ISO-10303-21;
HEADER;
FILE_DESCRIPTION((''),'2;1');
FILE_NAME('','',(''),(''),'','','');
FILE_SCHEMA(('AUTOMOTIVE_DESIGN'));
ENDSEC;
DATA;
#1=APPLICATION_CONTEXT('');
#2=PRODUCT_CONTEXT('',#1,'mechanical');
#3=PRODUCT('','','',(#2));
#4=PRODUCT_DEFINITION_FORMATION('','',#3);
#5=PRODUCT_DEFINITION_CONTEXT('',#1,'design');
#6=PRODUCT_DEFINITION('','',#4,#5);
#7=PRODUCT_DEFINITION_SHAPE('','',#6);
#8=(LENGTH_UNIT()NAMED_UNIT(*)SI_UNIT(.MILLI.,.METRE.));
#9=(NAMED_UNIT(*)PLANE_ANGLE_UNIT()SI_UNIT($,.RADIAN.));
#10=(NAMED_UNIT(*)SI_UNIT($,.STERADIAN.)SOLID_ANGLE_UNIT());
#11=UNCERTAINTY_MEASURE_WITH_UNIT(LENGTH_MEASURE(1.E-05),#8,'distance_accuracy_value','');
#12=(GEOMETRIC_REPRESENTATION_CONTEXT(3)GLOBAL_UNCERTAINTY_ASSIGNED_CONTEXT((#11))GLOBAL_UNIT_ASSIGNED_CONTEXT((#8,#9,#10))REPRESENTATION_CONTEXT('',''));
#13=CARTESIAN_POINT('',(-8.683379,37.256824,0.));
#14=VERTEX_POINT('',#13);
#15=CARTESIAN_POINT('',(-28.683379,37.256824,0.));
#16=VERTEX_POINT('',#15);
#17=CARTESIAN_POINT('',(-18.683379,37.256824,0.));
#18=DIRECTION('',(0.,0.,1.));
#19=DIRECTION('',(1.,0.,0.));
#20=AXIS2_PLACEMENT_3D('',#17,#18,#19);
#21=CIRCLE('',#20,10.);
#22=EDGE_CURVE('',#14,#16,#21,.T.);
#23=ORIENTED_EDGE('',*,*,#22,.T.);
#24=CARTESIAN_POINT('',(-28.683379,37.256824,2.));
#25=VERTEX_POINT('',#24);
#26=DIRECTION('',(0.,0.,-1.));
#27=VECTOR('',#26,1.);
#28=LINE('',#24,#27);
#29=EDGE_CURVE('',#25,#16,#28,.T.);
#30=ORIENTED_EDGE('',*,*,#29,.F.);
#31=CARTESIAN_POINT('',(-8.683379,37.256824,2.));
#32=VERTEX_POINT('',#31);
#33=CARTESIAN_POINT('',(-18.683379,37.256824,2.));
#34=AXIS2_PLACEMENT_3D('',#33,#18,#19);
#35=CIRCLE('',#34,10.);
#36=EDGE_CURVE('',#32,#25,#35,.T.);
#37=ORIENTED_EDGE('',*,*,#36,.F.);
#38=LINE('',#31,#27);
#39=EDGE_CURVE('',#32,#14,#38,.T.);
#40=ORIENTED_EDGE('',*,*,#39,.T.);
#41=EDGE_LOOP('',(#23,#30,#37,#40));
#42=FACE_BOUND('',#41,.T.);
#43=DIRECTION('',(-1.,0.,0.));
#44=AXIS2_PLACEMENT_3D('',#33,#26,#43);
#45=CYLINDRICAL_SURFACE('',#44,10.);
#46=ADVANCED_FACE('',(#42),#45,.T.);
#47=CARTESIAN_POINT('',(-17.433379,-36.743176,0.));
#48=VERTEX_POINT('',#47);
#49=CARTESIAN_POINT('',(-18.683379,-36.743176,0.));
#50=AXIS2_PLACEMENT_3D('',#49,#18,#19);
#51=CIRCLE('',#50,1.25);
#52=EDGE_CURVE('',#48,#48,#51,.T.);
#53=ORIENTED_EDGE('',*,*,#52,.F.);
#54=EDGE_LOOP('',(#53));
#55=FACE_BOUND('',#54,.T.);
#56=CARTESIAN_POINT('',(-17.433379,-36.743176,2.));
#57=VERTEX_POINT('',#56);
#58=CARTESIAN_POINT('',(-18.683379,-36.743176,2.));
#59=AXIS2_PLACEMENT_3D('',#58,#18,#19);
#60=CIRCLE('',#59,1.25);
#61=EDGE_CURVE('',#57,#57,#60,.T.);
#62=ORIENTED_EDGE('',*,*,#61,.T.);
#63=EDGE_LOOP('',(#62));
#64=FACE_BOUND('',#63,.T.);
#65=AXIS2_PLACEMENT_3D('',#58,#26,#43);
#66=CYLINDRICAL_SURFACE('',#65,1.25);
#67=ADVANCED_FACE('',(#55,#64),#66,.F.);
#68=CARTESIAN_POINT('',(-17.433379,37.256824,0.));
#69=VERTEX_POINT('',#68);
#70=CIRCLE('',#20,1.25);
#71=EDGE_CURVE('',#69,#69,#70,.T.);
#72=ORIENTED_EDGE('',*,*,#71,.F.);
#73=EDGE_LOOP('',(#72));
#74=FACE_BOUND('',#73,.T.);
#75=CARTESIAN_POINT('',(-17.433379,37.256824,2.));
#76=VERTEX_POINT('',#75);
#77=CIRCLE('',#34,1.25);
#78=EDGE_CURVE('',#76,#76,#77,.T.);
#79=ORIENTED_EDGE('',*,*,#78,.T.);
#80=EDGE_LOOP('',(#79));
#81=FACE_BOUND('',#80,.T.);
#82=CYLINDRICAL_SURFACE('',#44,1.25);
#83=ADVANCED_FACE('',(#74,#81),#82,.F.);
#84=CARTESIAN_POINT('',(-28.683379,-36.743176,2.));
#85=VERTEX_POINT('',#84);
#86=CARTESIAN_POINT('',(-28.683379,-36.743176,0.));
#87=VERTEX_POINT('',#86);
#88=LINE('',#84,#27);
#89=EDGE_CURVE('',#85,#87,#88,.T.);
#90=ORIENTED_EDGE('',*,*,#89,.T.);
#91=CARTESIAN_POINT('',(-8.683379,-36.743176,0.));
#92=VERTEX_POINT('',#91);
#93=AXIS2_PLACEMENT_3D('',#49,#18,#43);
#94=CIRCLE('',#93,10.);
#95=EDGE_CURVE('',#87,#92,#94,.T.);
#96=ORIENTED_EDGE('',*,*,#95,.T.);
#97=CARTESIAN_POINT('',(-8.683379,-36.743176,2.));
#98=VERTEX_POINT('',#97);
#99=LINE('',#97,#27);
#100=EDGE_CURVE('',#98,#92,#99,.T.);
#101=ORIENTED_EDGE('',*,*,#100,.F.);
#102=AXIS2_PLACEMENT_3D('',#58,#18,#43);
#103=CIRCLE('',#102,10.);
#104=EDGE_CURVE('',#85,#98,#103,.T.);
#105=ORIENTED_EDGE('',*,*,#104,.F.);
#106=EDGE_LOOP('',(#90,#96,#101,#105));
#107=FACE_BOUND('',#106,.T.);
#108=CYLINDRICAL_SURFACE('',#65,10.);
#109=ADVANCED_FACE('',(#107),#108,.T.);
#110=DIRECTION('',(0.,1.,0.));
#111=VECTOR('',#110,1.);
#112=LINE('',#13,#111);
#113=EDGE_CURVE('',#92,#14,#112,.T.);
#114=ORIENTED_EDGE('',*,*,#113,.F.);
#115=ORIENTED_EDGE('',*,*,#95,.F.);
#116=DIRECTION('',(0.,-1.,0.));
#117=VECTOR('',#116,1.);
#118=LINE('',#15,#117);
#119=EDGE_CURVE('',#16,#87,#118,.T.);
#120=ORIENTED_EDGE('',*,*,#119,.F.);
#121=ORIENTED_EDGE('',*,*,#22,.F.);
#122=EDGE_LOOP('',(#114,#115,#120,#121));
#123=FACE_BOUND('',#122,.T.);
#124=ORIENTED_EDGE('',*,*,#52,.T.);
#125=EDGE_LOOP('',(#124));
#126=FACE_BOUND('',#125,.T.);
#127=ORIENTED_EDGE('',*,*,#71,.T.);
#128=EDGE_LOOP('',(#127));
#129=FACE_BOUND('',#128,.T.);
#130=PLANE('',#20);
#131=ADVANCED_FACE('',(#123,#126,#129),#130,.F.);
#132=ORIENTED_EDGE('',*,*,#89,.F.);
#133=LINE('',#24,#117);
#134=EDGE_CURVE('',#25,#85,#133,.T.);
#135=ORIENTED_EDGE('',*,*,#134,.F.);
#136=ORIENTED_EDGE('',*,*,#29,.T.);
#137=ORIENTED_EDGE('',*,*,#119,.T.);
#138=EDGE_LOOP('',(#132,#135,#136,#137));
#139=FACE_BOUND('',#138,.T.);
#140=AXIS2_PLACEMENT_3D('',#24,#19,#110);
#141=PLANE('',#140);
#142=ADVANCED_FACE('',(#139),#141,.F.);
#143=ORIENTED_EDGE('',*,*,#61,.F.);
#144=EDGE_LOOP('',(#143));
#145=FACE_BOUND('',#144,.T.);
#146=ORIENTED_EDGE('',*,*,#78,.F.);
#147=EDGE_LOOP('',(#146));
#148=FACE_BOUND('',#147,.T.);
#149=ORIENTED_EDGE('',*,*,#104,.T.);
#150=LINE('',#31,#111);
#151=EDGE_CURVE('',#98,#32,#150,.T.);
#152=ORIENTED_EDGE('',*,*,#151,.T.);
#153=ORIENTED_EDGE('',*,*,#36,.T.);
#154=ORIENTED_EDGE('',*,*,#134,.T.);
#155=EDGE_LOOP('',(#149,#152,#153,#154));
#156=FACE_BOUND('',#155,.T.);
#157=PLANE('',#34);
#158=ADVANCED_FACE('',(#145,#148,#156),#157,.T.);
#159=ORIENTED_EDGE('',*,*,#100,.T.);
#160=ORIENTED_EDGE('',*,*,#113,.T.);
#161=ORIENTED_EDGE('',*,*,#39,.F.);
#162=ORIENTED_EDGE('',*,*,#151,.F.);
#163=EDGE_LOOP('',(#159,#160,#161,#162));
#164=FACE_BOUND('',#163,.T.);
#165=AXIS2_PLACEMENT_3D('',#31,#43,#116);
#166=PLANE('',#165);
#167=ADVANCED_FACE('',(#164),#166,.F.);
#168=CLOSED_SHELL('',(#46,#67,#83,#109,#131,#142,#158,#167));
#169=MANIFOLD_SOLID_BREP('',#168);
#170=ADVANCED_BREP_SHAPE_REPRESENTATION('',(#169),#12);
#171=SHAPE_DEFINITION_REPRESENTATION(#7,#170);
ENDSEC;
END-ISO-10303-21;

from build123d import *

# Parameters (mm, degrees)
SKETCH_1_R      = 1.25
EXTRUDE_1_DEPTH = 2


with BuildPart() as part:
    # 草圖1 → 填料-伸長1 (new body)
    with BuildSketch(Plane.XY):
        with BuildLine():
            Line((-28.683379048, 37.256823821), (-28.683379048, -36.743176179))
            ThreePointArc((-28.683379048, -36.743176179), (-18.683379048, -46.743176179), (-8.683379048, -36.743176179))
            Line((-8.683379048, -36.743176179), (-8.683379048, 37.256823821))
            ThreePointArc((-8.683379048, 37.256823821), (-18.683379048, 47.256823821), (-28.683379048, 37.256823821))
        make_face()
        with Locations((-18.683379048, 37.256823821)):
            Circle(SKETCH_1_R, mode=Mode.SUBTRACT)
        with Locations((-18.683379048, -36.743176179)):
            Circle(SKETCH_1_R, mode=Mode.SUBTRACT)
    extrude(amount=EXTRUDE_1_DEPTH)


solid = part.part
